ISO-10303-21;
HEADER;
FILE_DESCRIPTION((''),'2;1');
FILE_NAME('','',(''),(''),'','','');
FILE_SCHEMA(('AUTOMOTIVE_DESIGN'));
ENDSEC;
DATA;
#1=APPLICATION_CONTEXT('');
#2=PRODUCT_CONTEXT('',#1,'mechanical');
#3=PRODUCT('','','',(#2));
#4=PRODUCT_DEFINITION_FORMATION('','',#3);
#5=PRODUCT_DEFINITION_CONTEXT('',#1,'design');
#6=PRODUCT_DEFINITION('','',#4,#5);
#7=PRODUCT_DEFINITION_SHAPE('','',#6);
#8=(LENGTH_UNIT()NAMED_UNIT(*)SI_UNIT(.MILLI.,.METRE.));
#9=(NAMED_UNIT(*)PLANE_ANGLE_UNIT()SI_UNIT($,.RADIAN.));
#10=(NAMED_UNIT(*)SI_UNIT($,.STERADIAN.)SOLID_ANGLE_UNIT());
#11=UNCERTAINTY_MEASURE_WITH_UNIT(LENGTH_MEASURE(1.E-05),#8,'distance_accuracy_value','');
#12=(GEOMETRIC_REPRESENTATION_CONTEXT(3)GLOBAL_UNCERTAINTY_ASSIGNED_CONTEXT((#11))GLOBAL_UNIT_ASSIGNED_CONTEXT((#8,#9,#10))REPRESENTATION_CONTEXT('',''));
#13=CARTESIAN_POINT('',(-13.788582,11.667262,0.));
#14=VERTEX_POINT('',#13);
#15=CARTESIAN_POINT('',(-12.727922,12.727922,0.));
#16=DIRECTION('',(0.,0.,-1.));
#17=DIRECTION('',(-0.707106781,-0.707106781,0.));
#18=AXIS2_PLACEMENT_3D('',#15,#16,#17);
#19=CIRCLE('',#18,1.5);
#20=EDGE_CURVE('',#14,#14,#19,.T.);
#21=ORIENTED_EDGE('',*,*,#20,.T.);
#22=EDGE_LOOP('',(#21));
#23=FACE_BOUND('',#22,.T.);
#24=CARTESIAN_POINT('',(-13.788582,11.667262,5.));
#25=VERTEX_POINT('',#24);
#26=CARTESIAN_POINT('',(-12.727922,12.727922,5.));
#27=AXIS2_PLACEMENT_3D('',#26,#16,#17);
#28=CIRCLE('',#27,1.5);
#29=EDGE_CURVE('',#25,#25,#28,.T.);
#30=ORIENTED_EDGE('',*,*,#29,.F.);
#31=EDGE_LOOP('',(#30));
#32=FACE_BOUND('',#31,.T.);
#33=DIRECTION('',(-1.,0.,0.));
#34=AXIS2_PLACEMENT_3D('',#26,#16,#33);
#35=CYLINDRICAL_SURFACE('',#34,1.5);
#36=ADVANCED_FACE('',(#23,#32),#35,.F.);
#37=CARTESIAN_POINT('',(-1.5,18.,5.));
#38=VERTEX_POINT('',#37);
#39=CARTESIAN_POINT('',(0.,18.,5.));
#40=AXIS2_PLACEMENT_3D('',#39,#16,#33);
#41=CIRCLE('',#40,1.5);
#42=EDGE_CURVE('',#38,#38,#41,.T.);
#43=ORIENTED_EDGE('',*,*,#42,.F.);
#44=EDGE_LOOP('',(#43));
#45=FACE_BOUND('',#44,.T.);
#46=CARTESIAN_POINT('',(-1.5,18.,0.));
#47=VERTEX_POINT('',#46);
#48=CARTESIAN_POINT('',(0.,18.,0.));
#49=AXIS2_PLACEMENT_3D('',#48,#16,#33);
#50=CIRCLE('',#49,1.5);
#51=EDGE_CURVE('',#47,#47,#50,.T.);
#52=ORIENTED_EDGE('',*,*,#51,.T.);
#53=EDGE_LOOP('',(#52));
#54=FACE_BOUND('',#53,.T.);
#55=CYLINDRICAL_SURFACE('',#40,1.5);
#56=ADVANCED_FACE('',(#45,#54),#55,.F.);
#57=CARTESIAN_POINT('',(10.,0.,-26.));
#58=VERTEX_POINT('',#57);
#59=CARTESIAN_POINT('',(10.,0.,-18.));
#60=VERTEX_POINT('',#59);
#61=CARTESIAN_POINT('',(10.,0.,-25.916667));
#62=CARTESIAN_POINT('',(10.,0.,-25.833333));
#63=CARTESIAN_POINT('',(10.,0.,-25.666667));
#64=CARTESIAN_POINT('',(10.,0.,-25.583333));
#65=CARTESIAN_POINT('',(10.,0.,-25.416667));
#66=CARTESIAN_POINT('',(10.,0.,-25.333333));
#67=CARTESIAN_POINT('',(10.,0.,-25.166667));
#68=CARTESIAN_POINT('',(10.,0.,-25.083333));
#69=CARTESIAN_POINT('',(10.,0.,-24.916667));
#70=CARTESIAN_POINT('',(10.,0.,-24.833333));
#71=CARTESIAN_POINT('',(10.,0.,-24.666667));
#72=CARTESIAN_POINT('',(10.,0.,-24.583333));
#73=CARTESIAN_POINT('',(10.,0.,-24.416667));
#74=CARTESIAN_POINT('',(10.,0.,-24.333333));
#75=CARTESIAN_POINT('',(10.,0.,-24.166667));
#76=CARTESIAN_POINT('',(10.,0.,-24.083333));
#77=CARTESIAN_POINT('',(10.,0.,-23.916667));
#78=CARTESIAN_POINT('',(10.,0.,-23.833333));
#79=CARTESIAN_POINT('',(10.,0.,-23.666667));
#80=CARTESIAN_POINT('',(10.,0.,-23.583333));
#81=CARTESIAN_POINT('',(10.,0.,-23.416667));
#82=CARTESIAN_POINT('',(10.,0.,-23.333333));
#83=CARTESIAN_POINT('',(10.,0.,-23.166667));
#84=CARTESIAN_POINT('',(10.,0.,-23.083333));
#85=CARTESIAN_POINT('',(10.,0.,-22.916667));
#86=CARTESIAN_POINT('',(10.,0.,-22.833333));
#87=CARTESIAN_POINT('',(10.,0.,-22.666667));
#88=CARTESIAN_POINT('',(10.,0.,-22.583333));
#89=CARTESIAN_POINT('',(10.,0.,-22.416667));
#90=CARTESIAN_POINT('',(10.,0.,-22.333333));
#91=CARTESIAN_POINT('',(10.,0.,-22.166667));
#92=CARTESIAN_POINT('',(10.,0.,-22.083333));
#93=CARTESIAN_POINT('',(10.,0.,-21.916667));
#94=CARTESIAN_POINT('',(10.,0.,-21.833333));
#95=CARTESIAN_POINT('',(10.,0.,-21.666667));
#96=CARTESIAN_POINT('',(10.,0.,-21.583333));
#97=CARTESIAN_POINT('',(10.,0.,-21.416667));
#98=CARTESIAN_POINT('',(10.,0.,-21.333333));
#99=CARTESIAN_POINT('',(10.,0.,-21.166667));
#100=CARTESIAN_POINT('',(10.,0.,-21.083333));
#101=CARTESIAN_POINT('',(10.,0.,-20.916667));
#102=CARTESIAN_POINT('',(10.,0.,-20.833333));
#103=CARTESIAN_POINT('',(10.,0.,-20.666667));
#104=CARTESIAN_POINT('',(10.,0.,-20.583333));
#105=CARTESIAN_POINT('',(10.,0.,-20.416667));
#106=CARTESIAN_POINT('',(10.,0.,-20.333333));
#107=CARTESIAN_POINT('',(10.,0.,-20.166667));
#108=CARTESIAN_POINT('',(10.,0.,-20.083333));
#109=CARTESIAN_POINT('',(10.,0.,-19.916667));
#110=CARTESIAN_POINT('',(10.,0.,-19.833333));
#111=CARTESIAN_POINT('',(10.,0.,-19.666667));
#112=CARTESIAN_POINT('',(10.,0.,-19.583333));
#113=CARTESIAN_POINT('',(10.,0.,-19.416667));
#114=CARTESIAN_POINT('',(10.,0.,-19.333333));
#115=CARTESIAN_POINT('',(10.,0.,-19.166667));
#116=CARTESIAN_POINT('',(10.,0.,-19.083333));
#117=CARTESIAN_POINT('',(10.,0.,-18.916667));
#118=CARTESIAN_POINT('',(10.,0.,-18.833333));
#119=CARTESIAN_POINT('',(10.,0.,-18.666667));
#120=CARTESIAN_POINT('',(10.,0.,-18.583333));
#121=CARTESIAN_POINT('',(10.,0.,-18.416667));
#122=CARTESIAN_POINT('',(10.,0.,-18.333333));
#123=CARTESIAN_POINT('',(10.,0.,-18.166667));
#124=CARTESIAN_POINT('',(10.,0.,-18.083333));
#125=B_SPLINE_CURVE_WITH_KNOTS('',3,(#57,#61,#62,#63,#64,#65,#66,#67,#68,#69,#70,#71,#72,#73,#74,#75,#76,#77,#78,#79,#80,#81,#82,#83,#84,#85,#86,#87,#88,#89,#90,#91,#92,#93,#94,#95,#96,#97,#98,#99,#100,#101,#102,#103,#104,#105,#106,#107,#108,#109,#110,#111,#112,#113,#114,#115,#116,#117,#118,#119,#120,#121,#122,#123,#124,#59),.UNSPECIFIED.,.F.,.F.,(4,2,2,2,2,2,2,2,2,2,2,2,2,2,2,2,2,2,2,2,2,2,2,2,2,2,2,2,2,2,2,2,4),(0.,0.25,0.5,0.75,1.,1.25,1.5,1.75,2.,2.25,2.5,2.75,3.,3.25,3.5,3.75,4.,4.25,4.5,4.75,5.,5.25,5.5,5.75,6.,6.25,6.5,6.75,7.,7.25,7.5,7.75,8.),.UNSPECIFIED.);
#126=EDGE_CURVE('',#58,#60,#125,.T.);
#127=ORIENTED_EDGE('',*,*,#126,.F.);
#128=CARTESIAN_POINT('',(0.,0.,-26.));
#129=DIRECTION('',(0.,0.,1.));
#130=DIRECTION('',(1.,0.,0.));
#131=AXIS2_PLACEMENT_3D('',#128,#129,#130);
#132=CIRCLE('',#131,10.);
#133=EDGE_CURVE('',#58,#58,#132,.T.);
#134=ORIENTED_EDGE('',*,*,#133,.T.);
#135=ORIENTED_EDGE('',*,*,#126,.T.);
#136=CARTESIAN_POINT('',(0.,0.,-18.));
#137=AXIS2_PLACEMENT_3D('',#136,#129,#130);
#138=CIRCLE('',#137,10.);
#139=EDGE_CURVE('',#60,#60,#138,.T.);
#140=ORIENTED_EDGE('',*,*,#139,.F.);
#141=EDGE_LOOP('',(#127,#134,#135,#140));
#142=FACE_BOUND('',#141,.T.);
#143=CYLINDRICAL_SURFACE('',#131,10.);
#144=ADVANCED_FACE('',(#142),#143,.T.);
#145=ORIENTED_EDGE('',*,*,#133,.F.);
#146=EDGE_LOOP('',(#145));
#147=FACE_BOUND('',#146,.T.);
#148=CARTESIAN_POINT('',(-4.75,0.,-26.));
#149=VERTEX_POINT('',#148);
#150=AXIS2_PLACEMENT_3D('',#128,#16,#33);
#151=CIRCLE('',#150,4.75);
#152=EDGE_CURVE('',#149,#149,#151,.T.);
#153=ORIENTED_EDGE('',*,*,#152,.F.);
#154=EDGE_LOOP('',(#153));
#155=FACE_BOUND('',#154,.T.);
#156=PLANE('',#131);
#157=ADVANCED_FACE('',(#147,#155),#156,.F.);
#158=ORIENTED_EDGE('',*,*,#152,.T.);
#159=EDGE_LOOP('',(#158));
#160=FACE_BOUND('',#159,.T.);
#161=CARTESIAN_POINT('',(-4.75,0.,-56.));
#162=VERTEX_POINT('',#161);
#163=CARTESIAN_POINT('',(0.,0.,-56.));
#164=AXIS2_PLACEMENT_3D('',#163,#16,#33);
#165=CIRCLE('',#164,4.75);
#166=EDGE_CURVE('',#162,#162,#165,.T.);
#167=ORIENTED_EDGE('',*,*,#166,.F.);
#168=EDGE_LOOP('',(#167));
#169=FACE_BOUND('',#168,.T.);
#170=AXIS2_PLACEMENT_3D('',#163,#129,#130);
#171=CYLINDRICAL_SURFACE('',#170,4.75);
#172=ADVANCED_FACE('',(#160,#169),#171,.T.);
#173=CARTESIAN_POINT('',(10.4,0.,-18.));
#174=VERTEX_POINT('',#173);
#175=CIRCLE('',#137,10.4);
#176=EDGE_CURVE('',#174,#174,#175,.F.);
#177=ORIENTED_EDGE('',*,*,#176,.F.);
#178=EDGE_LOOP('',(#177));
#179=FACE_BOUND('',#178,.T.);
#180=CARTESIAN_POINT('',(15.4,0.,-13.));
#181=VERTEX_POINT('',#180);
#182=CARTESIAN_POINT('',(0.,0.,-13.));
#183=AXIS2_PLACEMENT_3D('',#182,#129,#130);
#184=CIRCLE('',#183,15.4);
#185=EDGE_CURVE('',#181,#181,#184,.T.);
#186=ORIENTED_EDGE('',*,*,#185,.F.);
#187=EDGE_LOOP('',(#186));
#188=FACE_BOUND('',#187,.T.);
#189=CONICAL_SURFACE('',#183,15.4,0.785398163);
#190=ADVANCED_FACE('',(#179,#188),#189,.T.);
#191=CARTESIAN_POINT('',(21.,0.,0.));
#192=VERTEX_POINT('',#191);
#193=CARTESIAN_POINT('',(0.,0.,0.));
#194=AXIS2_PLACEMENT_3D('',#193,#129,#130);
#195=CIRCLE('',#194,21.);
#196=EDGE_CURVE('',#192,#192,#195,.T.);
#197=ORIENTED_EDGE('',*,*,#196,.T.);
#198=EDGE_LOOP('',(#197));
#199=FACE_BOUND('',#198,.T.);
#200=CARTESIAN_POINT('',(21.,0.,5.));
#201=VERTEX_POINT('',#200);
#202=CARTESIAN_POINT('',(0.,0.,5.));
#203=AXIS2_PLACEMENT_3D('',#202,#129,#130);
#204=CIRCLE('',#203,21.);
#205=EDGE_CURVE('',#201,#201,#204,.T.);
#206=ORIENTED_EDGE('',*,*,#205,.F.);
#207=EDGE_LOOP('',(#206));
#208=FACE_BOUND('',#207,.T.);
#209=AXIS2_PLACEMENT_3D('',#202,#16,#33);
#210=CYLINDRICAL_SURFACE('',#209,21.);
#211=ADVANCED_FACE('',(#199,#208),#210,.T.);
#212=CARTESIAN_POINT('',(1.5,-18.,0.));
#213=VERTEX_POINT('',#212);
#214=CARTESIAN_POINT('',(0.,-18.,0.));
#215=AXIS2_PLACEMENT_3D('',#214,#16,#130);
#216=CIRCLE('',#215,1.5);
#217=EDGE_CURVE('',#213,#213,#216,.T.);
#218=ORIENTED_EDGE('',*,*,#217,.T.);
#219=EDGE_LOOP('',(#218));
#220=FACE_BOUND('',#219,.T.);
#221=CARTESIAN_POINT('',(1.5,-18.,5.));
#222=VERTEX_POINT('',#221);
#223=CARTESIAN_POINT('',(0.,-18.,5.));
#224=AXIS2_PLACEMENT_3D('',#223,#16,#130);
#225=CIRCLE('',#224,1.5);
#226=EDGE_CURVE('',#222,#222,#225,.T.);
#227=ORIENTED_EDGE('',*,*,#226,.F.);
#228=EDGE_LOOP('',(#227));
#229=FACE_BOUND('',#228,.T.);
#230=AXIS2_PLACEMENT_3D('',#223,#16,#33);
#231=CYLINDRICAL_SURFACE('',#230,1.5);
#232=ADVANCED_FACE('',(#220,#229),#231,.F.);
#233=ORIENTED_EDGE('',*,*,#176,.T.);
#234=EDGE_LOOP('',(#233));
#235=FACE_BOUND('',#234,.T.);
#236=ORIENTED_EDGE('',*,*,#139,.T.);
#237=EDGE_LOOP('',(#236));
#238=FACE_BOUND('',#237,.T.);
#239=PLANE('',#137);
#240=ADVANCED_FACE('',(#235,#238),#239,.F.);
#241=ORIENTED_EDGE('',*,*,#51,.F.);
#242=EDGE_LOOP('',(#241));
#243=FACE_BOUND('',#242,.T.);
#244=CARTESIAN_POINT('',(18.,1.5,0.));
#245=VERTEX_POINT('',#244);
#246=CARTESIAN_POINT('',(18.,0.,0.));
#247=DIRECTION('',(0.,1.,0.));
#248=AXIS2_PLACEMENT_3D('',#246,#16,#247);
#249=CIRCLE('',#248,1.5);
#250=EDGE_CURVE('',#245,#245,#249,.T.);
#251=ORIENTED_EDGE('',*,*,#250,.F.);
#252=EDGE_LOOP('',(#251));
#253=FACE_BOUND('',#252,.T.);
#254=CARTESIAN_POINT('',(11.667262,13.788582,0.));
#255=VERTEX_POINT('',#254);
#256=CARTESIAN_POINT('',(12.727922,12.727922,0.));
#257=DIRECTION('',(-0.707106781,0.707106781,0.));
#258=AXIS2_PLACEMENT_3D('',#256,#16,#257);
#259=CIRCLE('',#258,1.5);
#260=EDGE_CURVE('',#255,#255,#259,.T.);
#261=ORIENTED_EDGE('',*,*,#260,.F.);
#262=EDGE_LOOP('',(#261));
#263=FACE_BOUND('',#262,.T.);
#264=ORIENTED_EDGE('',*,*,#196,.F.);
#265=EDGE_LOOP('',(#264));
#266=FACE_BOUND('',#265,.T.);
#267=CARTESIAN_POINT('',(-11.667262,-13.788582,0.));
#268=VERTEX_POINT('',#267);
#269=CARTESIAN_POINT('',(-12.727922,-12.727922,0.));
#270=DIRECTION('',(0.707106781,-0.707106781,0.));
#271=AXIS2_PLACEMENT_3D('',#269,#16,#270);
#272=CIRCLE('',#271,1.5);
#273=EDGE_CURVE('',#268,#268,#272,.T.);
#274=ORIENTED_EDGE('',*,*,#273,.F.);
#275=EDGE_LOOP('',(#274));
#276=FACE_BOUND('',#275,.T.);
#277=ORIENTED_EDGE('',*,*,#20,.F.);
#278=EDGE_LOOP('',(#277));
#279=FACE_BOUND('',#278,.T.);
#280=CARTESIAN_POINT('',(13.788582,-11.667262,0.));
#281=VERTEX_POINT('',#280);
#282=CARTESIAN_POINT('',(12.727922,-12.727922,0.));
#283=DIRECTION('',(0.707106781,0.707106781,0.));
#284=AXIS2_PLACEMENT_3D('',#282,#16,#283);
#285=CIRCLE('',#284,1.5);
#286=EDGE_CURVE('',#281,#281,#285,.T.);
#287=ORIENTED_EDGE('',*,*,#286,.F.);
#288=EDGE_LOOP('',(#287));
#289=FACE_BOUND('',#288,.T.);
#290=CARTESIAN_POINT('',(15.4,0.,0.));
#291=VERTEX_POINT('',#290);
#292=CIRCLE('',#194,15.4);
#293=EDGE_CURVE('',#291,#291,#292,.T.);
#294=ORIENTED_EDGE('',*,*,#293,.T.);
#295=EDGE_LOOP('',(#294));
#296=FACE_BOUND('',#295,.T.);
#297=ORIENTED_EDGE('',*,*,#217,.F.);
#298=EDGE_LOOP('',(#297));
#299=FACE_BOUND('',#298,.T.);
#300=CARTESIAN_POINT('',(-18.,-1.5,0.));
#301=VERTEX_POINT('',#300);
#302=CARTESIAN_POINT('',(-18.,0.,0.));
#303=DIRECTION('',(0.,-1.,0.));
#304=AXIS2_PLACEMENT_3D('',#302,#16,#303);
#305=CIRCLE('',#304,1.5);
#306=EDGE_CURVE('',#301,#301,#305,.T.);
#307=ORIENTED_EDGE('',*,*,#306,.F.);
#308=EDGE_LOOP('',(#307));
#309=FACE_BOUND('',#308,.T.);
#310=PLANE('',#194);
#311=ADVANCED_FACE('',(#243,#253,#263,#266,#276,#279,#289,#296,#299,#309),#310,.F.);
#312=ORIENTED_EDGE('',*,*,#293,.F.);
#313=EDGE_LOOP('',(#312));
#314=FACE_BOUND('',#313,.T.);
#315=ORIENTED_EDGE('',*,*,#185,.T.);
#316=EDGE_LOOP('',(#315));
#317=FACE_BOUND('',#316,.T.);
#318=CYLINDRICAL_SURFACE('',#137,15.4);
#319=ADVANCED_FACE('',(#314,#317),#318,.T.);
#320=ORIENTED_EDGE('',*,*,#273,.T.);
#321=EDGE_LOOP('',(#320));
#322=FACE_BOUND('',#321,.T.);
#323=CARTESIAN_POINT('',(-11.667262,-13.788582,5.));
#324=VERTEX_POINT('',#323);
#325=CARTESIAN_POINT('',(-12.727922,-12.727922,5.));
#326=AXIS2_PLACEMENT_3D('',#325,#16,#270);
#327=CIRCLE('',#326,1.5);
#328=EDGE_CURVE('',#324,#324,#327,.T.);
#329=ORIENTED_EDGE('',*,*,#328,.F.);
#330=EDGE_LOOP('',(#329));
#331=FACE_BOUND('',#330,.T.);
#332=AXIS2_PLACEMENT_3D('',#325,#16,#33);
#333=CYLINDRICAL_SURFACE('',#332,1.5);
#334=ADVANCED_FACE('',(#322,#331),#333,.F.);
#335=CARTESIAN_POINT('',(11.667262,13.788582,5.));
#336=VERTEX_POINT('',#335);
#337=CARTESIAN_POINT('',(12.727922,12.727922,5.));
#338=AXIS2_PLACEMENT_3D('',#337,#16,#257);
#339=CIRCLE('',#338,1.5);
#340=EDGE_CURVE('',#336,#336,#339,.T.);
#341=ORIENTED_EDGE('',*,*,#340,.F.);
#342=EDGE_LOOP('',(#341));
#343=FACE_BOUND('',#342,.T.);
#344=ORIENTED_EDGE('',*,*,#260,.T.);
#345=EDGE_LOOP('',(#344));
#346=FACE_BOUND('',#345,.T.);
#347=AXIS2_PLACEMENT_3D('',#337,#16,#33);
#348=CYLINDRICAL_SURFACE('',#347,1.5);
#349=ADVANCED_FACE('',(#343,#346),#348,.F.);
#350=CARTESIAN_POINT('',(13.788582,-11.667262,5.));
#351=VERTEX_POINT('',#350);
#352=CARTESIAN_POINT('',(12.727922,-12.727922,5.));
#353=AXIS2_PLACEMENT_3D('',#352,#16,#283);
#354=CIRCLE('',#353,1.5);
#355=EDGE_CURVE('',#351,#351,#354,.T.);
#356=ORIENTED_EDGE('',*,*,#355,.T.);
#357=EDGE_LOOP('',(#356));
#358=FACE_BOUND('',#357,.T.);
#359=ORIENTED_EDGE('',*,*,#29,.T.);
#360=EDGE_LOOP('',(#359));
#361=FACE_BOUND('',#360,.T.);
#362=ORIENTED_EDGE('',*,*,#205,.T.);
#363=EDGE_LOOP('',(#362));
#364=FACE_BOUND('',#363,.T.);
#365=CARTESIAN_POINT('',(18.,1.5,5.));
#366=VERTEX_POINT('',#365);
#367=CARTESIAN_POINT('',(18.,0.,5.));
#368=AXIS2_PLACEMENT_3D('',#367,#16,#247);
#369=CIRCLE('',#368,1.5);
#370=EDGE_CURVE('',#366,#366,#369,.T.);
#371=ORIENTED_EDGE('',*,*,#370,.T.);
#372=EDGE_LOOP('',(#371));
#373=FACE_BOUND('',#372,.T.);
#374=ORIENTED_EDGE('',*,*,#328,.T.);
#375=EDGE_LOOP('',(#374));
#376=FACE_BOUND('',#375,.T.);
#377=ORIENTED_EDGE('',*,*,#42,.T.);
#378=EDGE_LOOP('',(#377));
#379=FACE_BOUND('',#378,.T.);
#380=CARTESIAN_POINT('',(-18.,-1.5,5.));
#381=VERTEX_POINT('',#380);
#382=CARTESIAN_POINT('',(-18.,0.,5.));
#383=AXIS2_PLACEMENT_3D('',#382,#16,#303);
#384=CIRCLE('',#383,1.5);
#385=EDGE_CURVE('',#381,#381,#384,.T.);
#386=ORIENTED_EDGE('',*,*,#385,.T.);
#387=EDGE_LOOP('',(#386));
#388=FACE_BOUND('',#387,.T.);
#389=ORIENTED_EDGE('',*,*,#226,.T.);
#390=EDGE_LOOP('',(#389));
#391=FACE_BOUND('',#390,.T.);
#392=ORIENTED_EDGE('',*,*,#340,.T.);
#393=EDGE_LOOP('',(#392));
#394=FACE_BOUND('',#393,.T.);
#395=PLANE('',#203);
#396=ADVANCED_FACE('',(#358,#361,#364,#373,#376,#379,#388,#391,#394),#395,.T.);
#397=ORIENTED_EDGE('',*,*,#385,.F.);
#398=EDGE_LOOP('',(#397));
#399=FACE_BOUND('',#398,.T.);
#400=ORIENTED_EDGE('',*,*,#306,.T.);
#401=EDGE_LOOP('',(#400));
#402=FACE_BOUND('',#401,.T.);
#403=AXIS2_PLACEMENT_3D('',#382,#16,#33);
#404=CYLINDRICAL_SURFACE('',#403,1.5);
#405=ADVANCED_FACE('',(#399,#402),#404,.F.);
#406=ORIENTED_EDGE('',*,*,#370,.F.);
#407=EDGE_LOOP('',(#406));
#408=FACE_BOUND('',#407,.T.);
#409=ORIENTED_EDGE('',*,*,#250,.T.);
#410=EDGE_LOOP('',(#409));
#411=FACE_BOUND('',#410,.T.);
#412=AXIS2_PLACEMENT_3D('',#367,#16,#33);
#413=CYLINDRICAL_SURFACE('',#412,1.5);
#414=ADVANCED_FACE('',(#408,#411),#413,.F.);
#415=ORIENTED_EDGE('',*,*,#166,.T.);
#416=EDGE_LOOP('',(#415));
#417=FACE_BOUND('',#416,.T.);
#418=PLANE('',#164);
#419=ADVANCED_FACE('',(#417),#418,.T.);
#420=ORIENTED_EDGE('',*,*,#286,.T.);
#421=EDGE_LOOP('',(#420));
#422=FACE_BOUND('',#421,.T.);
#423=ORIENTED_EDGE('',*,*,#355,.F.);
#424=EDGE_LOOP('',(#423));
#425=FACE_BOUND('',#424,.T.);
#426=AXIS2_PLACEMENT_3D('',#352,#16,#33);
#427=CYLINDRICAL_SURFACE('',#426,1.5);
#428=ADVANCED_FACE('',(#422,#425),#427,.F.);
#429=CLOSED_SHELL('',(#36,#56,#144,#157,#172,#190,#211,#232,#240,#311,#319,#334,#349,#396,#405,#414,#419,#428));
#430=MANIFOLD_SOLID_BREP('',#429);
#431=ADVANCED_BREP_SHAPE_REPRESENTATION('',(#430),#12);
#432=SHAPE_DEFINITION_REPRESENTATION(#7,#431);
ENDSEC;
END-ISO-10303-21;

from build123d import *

# Parameters (mm, degrees)
SKETCH1_R           = 21
BOSS_EXTRUDE1_DEPTH = 5
SKETCH2_R           = 1.5
CUT_EXTRUDE1_DEPTH  = 31.116440693
SKETCH1_3_R         = 10
BOSS_EXTRUDE2_DEPTH = 26
CIRPATTERN1_COUNT   = 8
SKETCH1_4_R         = 15.4
SKETCH1_4_R_2       = 10
BOSS_EXTRUDE3_DEPTH = 18
CHAMFER2_SIZE       = 5
SKETCH3_R           = 4.75
BOSS_EXTRUDE4_DEPTH = 30


with BuildPart() as part:
    # Sketch1 → Boss-Extrude1 (new body)
    with BuildSketch(Plane.XY):
        Circle(SKETCH1_R)
    extrude(amount=BOSS_EXTRUDE1_DEPTH)

    # Sketch2 → Cut-Extrude1 (cut, through all)
    with BuildSketch(Plane(origin=(0, 0, 0), x_dir=(-1, 0, 0), z_dir=(0, 0, -1))):
        with Locations((0, 18)):
            Circle(SKETCH2_R)
    cut_extrude1 = extrude(amount=-CUT_EXTRUDE1_DEPTH, mode=Mode.SUBTRACT)

    # Sketch1<3> → Boss-Extrude2 (add)
    with BuildSketch(Plane.XY):
        Circle(SKETCH1_3_R)
    extrude(amount=-BOSS_EXTRUDE2_DEPTH)

    # CirPattern1: Cut-Extrude1 ×8 about axis
    cirpattern1_axis = Axis((0, 0, -26), (0, 0, 1))
    for i in range(1, CIRPATTERN1_COUNT):
        add(cut_extrude1.rotate(cirpattern1_axis, i * 360 / CIRPATTERN1_COUNT), mode=Mode.SUBTRACT)

    # Sketch1<4> → Boss-Extrude3 (add)
    with BuildSketch(Plane.XY):
        Circle(SKETCH1_4_R)
        Circle(SKETCH1_4_R_2, mode=Mode.SUBTRACT)
    extrude(amount=-BOSS_EXTRUDE3_DEPTH)

    # Chamfer2
    chamfer2_edges = [part.edges().sort_by_distance(p)[0] for p in [
        (-15.4, 0, -18),
    ]]
    chamfer(chamfer2_edges, length=CHAMFER2_SIZE)

    # Sketch3 → Boss-Extrude4 (add)
    with BuildSketch(Plane(origin=(0, 0, -26), x_dir=(-1, 0, 0), z_dir=(0, 0, -1))):
        Circle(SKETCH3_R)
    extrude(amount=BOSS_EXTRUDE4_DEPTH)


solid = part.part
